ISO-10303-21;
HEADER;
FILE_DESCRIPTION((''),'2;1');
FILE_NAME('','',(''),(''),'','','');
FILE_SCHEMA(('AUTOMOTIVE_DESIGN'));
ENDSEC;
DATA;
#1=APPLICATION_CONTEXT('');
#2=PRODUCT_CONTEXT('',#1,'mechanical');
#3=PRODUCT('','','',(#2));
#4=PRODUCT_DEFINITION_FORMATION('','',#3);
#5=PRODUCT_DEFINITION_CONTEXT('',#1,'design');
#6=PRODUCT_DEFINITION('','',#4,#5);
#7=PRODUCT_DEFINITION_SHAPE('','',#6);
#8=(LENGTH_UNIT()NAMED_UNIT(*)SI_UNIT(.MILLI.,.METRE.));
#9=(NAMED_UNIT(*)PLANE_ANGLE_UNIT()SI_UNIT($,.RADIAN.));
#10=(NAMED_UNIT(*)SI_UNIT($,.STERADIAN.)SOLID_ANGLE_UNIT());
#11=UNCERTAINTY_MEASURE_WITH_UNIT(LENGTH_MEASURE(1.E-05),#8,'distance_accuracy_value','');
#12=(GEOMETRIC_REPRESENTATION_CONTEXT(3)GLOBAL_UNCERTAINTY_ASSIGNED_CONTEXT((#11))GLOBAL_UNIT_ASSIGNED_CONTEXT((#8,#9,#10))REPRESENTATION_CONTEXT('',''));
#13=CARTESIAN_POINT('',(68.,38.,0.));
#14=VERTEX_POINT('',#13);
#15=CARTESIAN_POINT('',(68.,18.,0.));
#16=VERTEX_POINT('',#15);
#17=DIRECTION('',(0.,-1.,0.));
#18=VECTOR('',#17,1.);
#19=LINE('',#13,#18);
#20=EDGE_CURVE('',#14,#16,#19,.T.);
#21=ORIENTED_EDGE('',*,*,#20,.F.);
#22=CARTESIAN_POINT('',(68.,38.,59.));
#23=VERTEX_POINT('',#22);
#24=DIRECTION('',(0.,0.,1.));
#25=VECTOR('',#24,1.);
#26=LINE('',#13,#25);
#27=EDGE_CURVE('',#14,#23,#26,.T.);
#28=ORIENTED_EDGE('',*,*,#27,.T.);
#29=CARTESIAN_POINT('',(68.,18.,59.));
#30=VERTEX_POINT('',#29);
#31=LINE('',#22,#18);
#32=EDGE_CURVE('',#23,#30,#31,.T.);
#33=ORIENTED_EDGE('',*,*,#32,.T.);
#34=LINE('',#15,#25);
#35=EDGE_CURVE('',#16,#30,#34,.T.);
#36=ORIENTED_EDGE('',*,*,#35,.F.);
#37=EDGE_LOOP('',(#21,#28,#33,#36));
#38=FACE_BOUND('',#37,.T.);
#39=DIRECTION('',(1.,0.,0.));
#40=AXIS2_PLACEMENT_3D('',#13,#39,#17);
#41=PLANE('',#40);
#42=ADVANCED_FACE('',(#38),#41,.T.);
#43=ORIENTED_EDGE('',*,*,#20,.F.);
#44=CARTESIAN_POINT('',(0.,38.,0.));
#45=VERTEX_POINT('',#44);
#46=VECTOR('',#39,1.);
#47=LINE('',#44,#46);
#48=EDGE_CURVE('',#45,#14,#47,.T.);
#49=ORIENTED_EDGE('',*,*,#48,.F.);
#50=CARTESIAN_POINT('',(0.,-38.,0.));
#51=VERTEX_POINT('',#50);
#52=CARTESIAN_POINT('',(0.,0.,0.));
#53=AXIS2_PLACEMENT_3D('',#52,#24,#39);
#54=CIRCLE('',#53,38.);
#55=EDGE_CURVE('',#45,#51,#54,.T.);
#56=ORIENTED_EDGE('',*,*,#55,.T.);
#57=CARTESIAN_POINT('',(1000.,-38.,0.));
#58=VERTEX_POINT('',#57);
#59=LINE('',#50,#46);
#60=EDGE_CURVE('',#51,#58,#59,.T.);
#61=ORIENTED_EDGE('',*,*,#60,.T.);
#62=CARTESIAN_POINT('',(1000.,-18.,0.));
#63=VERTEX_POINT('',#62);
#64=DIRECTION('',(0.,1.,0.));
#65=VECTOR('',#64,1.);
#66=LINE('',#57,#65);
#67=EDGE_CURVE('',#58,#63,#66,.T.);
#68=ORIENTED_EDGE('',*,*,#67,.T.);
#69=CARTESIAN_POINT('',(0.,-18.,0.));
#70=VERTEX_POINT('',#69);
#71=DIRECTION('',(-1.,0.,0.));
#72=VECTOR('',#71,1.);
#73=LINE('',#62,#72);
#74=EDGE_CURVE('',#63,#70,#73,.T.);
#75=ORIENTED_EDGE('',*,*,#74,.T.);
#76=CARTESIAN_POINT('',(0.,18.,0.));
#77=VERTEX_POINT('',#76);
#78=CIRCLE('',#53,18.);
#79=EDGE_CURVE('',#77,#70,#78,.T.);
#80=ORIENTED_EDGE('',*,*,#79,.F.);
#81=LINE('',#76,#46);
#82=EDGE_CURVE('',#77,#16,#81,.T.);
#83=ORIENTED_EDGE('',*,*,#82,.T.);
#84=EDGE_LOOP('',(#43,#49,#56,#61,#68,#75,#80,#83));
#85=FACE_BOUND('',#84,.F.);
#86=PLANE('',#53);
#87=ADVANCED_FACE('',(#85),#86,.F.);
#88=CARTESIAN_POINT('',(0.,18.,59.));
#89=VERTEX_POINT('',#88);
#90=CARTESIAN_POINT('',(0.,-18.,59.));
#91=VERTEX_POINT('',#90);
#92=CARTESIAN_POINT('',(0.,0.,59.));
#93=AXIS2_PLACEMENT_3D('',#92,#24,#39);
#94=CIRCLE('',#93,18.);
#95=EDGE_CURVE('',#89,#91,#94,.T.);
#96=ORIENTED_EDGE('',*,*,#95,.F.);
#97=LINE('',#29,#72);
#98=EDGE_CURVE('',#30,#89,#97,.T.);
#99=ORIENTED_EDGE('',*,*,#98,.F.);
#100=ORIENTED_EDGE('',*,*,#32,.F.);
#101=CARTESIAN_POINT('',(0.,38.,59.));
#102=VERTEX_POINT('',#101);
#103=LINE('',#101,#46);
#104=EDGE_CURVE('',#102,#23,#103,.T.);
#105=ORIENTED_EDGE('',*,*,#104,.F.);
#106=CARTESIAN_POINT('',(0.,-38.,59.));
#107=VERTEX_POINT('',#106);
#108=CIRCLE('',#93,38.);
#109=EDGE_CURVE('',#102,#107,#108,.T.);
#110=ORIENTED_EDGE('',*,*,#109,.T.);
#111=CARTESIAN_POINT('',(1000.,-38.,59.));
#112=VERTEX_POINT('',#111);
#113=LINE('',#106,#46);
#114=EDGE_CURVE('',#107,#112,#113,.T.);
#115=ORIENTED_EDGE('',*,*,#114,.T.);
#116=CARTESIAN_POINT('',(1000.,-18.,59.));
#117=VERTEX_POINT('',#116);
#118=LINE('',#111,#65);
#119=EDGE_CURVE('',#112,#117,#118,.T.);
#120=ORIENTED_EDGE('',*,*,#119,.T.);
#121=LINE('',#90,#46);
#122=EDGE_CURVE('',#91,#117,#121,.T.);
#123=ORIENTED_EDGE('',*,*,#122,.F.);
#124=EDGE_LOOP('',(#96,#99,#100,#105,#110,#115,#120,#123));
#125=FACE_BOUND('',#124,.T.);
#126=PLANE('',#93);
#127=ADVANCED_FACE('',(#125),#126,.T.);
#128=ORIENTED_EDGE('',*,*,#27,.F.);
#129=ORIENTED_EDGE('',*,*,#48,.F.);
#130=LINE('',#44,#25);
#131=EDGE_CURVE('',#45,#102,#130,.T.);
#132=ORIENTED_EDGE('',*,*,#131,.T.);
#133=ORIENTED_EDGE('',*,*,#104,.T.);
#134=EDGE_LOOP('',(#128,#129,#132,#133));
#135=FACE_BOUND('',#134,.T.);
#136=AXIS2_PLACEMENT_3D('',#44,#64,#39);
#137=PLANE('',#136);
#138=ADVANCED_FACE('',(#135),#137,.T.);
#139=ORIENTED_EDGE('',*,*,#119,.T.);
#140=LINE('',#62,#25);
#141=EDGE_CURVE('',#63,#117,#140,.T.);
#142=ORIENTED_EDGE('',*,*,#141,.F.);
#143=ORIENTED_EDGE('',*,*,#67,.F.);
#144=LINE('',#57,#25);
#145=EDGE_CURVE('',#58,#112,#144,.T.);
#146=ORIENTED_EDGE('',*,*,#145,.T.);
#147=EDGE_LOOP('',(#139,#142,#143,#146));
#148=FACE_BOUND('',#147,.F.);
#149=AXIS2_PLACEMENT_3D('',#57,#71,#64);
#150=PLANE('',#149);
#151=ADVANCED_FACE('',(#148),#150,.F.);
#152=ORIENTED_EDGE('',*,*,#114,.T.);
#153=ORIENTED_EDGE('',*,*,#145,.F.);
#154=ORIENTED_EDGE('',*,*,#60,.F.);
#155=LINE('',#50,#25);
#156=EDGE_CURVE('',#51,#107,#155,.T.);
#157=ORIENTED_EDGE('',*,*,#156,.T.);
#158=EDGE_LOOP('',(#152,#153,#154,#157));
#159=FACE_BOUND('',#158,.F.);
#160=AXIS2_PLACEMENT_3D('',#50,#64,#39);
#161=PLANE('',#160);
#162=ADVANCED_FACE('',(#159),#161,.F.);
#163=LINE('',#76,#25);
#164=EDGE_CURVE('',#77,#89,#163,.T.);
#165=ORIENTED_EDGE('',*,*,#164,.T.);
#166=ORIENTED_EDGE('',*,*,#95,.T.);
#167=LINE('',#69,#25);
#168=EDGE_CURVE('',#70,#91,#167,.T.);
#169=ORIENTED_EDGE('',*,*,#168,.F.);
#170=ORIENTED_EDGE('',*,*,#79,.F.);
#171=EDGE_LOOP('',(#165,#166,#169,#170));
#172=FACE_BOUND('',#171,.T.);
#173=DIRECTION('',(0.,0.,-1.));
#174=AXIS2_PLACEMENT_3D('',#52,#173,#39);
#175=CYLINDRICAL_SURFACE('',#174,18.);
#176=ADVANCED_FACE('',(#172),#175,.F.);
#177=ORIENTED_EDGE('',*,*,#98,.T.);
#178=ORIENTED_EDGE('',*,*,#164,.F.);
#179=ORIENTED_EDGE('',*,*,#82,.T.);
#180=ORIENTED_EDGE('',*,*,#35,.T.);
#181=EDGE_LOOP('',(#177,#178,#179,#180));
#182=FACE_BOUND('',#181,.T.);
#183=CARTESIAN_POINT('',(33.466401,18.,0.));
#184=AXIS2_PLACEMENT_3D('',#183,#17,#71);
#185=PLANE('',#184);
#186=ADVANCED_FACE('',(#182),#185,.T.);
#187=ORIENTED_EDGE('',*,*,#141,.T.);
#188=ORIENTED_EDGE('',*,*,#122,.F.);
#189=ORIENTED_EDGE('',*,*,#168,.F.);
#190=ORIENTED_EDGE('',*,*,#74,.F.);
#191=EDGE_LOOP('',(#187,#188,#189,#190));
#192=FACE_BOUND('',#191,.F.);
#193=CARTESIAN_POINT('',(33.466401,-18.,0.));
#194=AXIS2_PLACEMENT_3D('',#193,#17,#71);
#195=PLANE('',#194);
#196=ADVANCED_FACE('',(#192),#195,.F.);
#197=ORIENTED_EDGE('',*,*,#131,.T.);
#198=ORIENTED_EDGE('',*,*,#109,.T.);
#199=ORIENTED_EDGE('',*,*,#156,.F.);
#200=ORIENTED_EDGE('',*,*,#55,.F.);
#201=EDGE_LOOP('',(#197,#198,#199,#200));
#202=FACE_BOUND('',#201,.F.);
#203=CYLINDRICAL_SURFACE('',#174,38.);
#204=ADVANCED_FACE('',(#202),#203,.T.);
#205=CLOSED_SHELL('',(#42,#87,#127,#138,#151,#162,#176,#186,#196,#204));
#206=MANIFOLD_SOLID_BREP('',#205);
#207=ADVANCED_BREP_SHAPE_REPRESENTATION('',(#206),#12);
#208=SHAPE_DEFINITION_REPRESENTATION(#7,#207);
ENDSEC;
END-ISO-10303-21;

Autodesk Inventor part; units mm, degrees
ref_plane "YZ Plane" through (0, 0, 0) normal (1, 0, 0) x (0, 1, 0)
ref_plane "XZ Plane" through (0, 0, 0) normal (0, 1, 0) x (-1, 0, 0)
ref_plane "XY Plane" through (0, 0, 0) normal (0, 0, 1) x (1, 0, 0)
sketch "Sketch1" plane through (0, 0, 0) normal (0, 0, 1) x (1, 0, 0)
  circle A0 centre (0, 0) radius 38
  line L0 (0, -38) -> (1000, -38)
  line L1 (1000, -38) -> (1000, -18)
  line L2 (1000, -18) -> (0, -18)
  line L3 (0, -18) -> (0, -38)
  line L4 (0, 38) -> (68, 38)
  line L5 (68, 38) -> (68, 18)
  line L6 (68, 18) -> (0, 18)
  line L7 (0, 18) -> (0, 38)
  circle A1 centre (0, 0) radius 18
  dimension "d0" = 76
  dimension "d1" = 20
  dimension "d2" = 20
  dimension "d4" = 1000
  dimension "d7" = 68
extrude "Extrusion1" add sketch "Sketch1" along normal blind 59 contours L7 A1 L3 A0 | L4 L5 L6 A0 | A0 L6 L7 | L3 L2 A0 | A0 L2 L1 L0
properties part number "J15BF.1.50"
